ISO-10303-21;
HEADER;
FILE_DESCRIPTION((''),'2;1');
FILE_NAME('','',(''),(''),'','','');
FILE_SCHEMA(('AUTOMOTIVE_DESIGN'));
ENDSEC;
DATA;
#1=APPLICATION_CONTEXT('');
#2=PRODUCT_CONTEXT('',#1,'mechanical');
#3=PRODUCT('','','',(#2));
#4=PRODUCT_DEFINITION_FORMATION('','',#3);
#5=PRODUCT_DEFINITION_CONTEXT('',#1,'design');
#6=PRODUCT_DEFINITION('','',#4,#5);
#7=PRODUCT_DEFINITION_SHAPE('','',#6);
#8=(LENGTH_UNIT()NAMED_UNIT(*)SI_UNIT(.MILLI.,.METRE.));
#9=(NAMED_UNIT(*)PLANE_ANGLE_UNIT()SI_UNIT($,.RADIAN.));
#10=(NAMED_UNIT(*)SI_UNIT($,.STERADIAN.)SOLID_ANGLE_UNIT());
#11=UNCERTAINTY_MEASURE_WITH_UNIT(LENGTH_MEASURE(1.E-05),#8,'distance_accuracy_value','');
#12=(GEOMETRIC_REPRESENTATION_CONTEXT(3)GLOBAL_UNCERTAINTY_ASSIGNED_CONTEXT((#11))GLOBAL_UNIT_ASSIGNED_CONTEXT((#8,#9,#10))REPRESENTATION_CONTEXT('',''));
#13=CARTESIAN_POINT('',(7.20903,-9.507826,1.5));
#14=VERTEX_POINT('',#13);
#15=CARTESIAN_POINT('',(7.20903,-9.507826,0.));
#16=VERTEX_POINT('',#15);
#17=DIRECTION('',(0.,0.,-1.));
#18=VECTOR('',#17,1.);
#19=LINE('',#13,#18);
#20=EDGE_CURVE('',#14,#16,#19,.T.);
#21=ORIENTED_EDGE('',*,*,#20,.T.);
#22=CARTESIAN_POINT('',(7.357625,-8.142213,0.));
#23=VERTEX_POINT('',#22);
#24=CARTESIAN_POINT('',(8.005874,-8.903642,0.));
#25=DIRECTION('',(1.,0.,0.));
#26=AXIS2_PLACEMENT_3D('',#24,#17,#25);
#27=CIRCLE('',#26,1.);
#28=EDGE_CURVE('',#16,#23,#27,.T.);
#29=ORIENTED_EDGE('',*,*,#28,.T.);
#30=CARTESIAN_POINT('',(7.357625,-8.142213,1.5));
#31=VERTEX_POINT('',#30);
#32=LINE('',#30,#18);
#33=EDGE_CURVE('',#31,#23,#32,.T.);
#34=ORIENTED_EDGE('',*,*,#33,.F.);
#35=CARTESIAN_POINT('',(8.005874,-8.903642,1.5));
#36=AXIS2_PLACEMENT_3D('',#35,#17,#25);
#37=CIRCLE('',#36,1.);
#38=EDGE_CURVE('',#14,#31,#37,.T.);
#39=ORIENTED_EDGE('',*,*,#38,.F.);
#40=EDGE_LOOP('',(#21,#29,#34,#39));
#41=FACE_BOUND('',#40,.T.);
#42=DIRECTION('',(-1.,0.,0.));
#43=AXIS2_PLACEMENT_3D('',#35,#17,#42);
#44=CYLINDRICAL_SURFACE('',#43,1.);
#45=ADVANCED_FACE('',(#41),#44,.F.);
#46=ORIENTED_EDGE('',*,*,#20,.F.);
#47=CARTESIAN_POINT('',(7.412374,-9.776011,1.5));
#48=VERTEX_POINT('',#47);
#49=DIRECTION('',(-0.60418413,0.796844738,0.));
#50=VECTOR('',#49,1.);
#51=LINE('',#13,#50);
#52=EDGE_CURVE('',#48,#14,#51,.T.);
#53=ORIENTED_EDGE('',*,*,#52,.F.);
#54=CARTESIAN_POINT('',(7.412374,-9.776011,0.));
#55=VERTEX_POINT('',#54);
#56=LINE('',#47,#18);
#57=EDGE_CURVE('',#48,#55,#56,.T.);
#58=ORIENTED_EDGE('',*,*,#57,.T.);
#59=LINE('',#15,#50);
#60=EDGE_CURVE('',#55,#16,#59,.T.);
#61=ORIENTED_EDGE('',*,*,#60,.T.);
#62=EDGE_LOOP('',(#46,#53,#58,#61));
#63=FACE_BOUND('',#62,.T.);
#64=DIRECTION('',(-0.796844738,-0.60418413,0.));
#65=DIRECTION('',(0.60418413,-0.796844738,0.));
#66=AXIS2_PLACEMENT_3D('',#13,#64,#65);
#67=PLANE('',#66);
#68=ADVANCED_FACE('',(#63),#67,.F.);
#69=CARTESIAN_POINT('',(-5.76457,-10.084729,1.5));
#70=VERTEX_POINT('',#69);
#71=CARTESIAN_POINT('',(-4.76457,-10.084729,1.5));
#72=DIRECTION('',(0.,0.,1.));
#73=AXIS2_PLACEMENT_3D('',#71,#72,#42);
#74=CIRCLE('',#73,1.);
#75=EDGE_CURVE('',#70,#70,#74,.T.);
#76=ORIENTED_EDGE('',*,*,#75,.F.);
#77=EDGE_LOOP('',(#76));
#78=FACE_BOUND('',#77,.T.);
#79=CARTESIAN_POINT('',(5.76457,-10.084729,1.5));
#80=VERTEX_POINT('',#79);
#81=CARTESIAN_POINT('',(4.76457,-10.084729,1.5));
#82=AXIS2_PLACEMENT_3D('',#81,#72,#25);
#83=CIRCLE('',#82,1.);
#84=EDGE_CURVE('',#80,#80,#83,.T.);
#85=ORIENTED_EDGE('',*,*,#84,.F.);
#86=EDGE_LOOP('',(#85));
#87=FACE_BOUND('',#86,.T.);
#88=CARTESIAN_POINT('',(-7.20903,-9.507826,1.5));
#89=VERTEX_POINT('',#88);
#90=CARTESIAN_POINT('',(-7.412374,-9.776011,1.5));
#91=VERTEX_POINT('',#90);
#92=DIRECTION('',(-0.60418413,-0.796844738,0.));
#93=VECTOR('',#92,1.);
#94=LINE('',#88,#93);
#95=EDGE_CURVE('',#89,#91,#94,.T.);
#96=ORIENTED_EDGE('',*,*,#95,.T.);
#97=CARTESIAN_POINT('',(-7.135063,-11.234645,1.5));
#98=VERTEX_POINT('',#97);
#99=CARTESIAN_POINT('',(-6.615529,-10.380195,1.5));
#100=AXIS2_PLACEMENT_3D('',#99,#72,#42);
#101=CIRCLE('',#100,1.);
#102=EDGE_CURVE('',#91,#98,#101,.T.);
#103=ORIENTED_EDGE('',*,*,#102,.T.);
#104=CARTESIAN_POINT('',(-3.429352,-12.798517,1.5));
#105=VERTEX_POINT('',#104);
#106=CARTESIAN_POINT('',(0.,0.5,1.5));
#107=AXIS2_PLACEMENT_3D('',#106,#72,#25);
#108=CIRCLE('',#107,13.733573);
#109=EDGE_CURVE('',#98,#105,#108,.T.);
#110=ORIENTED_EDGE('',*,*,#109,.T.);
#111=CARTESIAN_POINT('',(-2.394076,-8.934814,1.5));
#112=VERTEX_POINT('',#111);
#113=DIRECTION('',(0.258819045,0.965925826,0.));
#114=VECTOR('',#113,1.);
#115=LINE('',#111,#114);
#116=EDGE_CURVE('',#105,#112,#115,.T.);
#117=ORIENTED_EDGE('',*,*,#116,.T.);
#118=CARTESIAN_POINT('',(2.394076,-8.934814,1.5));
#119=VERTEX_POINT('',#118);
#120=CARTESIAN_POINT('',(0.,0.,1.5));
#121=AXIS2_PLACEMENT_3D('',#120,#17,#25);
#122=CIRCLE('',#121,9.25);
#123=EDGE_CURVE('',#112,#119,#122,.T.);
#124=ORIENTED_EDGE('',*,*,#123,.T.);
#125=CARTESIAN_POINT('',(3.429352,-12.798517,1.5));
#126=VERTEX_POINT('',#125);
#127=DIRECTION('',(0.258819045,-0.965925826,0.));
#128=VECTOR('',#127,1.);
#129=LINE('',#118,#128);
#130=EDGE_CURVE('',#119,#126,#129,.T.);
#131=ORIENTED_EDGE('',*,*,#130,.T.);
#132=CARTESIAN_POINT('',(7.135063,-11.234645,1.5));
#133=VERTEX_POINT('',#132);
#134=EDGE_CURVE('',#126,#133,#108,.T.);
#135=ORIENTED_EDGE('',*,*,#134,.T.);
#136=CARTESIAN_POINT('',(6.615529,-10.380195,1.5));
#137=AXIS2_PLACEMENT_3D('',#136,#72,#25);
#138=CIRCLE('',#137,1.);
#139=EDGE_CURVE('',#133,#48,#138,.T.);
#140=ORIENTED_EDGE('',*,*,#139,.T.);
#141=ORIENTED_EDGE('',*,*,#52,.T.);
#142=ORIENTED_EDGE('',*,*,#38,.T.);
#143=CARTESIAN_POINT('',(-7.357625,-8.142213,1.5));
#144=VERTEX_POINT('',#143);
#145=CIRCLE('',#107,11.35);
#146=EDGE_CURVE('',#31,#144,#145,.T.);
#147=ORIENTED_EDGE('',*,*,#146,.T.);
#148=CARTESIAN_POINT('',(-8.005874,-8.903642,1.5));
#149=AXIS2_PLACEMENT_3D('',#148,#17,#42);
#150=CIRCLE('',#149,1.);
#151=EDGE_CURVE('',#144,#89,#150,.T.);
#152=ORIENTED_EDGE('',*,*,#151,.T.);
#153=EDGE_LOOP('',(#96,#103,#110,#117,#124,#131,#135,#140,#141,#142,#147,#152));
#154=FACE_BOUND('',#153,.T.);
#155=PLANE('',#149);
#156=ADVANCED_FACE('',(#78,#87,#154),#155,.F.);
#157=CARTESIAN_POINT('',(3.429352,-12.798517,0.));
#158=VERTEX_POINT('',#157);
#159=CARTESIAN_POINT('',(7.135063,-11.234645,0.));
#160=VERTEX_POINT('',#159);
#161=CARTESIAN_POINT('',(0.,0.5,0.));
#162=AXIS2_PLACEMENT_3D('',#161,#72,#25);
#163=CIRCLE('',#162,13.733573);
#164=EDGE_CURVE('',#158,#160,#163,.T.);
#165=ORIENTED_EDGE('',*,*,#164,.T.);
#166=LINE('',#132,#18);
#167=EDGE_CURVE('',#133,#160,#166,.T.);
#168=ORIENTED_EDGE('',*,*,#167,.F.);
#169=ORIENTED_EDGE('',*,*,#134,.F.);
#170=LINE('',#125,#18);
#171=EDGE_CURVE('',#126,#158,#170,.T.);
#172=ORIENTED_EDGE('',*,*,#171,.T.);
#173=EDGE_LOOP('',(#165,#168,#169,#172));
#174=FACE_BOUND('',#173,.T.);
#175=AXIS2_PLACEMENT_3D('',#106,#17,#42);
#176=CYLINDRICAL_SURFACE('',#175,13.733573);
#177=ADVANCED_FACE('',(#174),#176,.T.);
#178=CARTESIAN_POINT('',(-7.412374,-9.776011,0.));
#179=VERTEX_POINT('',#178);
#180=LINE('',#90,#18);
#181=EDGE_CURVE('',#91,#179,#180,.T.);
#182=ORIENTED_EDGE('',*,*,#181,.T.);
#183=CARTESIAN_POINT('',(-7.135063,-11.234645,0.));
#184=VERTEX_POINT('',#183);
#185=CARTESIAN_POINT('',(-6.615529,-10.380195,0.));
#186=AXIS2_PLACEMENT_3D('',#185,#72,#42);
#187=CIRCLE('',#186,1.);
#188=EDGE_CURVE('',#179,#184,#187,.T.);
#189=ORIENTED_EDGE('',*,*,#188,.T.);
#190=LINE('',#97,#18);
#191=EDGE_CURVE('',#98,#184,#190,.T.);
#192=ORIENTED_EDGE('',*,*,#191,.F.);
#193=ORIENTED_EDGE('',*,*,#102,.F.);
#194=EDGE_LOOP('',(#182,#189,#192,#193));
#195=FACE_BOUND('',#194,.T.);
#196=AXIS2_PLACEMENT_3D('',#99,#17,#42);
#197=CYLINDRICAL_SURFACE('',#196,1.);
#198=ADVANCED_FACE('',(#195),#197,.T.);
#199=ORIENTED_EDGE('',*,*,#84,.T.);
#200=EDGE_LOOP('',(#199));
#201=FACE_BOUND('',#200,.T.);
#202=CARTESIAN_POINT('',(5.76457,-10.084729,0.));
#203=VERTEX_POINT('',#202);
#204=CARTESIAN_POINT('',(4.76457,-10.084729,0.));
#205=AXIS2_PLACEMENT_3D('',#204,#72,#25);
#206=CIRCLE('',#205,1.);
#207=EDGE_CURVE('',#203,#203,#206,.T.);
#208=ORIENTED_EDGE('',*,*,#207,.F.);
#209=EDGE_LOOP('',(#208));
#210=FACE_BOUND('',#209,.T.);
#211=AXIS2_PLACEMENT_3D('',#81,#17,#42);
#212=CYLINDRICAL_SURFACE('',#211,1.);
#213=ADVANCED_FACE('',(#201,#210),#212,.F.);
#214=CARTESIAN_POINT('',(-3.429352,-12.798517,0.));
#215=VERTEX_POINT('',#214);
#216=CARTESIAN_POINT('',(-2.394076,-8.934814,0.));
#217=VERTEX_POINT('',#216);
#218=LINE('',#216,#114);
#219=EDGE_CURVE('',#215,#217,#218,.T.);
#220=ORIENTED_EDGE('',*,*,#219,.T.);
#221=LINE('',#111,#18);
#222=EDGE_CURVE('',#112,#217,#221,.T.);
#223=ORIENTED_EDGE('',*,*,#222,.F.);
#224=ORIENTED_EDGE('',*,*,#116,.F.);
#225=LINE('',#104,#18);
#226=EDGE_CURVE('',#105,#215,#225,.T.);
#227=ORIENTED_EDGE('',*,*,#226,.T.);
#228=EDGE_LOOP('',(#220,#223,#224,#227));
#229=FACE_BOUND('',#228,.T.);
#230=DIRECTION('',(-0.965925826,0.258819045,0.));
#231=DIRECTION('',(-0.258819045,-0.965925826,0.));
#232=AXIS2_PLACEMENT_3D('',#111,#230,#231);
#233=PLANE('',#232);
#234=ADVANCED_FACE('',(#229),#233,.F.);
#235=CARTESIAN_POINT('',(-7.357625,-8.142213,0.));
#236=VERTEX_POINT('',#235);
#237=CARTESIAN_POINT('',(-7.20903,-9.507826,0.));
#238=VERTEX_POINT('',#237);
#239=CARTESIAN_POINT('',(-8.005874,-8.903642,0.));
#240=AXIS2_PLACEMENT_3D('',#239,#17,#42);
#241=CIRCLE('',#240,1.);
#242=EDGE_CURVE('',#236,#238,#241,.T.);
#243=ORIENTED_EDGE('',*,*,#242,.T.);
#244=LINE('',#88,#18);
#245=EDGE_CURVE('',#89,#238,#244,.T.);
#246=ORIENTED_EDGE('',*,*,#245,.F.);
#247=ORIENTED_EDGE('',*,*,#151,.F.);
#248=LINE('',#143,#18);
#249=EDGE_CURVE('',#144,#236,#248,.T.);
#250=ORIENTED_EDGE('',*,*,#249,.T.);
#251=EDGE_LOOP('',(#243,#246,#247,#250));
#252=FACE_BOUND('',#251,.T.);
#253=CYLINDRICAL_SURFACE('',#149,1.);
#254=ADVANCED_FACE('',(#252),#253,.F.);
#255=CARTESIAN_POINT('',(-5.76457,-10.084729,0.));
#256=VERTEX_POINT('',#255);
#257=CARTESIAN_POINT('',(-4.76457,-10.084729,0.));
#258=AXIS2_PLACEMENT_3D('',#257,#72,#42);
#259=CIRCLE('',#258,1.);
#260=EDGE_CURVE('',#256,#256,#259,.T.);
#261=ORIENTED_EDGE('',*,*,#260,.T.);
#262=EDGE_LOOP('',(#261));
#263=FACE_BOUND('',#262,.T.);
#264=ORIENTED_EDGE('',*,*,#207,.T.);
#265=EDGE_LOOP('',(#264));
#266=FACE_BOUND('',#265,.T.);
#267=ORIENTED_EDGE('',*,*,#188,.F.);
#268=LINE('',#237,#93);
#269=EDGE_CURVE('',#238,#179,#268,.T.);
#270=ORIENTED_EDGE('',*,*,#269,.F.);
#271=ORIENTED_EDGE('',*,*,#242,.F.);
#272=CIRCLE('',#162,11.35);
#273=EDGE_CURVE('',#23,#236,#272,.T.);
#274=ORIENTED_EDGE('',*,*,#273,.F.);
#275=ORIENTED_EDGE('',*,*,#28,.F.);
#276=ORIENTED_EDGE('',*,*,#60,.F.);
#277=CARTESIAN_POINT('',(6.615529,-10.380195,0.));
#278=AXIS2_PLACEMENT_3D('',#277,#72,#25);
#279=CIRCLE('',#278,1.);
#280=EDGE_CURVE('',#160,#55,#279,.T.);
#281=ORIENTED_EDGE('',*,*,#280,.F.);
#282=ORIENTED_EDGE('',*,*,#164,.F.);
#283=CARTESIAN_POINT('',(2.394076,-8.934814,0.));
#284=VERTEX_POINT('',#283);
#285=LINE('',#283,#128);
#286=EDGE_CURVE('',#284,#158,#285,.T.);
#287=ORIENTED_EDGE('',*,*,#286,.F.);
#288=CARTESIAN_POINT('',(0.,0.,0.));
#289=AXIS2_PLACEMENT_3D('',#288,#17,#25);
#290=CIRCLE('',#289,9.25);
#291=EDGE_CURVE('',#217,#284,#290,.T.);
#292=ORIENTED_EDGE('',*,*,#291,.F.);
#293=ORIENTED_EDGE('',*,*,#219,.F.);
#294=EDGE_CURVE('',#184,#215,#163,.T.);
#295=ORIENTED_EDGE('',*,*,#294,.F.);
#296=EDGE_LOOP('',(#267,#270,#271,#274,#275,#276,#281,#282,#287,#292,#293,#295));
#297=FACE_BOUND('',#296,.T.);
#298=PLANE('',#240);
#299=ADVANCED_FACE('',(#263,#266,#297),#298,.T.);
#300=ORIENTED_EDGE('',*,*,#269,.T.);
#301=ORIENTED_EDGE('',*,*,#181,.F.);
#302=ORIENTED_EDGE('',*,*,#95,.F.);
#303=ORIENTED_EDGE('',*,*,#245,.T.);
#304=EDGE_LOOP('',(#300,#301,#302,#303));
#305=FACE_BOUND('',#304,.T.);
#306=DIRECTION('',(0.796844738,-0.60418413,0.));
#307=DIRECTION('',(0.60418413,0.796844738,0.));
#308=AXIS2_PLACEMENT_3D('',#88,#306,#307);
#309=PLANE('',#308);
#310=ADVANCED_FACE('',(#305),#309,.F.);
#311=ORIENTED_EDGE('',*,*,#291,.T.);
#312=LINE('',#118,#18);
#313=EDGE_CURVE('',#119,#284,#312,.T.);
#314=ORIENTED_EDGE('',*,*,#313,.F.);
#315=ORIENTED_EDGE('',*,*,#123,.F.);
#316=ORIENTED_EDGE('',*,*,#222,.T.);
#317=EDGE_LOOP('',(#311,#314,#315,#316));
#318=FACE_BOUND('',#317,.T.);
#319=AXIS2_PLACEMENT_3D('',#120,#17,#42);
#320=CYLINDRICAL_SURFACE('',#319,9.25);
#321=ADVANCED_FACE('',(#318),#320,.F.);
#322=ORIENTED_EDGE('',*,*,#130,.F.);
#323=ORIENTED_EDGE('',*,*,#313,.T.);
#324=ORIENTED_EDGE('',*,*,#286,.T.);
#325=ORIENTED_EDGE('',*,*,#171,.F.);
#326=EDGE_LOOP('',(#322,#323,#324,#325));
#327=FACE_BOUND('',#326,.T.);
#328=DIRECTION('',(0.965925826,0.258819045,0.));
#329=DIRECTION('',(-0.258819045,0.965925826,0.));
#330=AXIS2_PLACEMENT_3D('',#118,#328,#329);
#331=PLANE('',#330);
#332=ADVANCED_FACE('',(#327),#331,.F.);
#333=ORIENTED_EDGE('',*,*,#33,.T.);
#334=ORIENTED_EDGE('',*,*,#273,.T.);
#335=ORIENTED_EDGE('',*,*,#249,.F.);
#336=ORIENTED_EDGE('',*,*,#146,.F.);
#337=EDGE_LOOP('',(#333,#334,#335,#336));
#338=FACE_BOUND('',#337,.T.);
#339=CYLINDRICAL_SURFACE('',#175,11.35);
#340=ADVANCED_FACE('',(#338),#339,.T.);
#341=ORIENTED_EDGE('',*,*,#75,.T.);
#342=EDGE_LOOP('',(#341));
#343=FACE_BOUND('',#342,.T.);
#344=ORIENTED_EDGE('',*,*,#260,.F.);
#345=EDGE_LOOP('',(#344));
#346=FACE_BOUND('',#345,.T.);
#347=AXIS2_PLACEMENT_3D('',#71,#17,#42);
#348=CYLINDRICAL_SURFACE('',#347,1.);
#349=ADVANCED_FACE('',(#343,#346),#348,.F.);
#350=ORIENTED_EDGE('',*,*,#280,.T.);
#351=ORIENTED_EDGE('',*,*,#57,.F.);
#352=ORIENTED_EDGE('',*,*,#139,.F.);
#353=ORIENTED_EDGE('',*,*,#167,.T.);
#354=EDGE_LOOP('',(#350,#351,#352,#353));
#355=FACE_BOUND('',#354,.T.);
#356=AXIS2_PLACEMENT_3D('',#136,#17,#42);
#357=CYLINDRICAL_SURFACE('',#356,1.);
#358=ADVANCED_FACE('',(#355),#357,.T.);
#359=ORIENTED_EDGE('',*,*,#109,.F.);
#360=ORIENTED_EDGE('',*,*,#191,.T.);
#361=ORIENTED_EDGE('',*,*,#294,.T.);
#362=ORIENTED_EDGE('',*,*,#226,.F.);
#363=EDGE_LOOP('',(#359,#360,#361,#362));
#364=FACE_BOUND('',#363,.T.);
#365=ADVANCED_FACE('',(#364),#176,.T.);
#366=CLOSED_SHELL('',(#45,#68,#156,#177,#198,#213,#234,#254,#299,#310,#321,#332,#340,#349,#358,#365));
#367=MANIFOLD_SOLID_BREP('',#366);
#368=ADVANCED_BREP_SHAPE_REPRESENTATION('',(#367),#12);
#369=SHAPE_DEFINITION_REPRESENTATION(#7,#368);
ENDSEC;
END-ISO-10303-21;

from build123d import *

# Parameters (mm, degrees)
ESQUISSE1_R          = 1
BASE_EXTRUSION_DEPTH = 1.5


with BuildPart() as part:
    # Esquisse1 → Base-Extrusion (new body)
    with BuildSketch(Plane.XY):
        with BuildLine():
            Line((7.209029703, -9.507825682), (7.412373516, -9.776011223))
            ThreePointArc((7.412373516, -9.776011223), (7.597932232, -10.566966478), (7.135063159, -11.234644899))
            ThreePointArc((7.135063159, -11.234644899), (5.339769929, -12.152978871), (3.429352348, -12.798517198))
            Line((3.429352348, -12.798517198), (2.394076167, -8.934813893))
            ThreePointArc((2.394076167, -8.934813893), (0, 9.25), (-2.394076167, -8.934813893))
            Line((-2.394076167, -8.934813893), (-3.429352348, -12.798517198))
            ThreePointArc((-3.429352348, -12.798517198), (-5.339769929, -12.152978871), (-7.135063159, -11.234644899))
            ThreePointArc((-7.135063159, -11.234644899), (-7.597932232, -10.566966478), (-7.412373516, -9.776011223))
            Line((-7.412373516, -9.776011223), (-7.209029703, -9.507825682))
            ThreePointArc((-7.209029703, -9.507825682), (-7.011742469, -8.795467512), (-7.357625498, -8.142213086))
            ThreePointArc((-7.357625498, -8.142213086), (0, 11.85), (7.357625498, -8.142213086))
            ThreePointArc((7.357625498, -8.142213086), (7.011742469, -8.795467512), (7.209029703, -9.507825682))
        make_face()
        with Locations((4.764569663, -10.084729396)):
            Circle(ESQUISSE1_R, mode=Mode.SUBTRACT)
        with Locations(Location((-4.764569663, -10.084729396, 0), (0, 0, 180))):
            Circle(ESQUISSE1_R, mode=Mode.SUBTRACT)
    extrude(amount=BASE_EXTRUSION_DEPTH)


solid = part.part
